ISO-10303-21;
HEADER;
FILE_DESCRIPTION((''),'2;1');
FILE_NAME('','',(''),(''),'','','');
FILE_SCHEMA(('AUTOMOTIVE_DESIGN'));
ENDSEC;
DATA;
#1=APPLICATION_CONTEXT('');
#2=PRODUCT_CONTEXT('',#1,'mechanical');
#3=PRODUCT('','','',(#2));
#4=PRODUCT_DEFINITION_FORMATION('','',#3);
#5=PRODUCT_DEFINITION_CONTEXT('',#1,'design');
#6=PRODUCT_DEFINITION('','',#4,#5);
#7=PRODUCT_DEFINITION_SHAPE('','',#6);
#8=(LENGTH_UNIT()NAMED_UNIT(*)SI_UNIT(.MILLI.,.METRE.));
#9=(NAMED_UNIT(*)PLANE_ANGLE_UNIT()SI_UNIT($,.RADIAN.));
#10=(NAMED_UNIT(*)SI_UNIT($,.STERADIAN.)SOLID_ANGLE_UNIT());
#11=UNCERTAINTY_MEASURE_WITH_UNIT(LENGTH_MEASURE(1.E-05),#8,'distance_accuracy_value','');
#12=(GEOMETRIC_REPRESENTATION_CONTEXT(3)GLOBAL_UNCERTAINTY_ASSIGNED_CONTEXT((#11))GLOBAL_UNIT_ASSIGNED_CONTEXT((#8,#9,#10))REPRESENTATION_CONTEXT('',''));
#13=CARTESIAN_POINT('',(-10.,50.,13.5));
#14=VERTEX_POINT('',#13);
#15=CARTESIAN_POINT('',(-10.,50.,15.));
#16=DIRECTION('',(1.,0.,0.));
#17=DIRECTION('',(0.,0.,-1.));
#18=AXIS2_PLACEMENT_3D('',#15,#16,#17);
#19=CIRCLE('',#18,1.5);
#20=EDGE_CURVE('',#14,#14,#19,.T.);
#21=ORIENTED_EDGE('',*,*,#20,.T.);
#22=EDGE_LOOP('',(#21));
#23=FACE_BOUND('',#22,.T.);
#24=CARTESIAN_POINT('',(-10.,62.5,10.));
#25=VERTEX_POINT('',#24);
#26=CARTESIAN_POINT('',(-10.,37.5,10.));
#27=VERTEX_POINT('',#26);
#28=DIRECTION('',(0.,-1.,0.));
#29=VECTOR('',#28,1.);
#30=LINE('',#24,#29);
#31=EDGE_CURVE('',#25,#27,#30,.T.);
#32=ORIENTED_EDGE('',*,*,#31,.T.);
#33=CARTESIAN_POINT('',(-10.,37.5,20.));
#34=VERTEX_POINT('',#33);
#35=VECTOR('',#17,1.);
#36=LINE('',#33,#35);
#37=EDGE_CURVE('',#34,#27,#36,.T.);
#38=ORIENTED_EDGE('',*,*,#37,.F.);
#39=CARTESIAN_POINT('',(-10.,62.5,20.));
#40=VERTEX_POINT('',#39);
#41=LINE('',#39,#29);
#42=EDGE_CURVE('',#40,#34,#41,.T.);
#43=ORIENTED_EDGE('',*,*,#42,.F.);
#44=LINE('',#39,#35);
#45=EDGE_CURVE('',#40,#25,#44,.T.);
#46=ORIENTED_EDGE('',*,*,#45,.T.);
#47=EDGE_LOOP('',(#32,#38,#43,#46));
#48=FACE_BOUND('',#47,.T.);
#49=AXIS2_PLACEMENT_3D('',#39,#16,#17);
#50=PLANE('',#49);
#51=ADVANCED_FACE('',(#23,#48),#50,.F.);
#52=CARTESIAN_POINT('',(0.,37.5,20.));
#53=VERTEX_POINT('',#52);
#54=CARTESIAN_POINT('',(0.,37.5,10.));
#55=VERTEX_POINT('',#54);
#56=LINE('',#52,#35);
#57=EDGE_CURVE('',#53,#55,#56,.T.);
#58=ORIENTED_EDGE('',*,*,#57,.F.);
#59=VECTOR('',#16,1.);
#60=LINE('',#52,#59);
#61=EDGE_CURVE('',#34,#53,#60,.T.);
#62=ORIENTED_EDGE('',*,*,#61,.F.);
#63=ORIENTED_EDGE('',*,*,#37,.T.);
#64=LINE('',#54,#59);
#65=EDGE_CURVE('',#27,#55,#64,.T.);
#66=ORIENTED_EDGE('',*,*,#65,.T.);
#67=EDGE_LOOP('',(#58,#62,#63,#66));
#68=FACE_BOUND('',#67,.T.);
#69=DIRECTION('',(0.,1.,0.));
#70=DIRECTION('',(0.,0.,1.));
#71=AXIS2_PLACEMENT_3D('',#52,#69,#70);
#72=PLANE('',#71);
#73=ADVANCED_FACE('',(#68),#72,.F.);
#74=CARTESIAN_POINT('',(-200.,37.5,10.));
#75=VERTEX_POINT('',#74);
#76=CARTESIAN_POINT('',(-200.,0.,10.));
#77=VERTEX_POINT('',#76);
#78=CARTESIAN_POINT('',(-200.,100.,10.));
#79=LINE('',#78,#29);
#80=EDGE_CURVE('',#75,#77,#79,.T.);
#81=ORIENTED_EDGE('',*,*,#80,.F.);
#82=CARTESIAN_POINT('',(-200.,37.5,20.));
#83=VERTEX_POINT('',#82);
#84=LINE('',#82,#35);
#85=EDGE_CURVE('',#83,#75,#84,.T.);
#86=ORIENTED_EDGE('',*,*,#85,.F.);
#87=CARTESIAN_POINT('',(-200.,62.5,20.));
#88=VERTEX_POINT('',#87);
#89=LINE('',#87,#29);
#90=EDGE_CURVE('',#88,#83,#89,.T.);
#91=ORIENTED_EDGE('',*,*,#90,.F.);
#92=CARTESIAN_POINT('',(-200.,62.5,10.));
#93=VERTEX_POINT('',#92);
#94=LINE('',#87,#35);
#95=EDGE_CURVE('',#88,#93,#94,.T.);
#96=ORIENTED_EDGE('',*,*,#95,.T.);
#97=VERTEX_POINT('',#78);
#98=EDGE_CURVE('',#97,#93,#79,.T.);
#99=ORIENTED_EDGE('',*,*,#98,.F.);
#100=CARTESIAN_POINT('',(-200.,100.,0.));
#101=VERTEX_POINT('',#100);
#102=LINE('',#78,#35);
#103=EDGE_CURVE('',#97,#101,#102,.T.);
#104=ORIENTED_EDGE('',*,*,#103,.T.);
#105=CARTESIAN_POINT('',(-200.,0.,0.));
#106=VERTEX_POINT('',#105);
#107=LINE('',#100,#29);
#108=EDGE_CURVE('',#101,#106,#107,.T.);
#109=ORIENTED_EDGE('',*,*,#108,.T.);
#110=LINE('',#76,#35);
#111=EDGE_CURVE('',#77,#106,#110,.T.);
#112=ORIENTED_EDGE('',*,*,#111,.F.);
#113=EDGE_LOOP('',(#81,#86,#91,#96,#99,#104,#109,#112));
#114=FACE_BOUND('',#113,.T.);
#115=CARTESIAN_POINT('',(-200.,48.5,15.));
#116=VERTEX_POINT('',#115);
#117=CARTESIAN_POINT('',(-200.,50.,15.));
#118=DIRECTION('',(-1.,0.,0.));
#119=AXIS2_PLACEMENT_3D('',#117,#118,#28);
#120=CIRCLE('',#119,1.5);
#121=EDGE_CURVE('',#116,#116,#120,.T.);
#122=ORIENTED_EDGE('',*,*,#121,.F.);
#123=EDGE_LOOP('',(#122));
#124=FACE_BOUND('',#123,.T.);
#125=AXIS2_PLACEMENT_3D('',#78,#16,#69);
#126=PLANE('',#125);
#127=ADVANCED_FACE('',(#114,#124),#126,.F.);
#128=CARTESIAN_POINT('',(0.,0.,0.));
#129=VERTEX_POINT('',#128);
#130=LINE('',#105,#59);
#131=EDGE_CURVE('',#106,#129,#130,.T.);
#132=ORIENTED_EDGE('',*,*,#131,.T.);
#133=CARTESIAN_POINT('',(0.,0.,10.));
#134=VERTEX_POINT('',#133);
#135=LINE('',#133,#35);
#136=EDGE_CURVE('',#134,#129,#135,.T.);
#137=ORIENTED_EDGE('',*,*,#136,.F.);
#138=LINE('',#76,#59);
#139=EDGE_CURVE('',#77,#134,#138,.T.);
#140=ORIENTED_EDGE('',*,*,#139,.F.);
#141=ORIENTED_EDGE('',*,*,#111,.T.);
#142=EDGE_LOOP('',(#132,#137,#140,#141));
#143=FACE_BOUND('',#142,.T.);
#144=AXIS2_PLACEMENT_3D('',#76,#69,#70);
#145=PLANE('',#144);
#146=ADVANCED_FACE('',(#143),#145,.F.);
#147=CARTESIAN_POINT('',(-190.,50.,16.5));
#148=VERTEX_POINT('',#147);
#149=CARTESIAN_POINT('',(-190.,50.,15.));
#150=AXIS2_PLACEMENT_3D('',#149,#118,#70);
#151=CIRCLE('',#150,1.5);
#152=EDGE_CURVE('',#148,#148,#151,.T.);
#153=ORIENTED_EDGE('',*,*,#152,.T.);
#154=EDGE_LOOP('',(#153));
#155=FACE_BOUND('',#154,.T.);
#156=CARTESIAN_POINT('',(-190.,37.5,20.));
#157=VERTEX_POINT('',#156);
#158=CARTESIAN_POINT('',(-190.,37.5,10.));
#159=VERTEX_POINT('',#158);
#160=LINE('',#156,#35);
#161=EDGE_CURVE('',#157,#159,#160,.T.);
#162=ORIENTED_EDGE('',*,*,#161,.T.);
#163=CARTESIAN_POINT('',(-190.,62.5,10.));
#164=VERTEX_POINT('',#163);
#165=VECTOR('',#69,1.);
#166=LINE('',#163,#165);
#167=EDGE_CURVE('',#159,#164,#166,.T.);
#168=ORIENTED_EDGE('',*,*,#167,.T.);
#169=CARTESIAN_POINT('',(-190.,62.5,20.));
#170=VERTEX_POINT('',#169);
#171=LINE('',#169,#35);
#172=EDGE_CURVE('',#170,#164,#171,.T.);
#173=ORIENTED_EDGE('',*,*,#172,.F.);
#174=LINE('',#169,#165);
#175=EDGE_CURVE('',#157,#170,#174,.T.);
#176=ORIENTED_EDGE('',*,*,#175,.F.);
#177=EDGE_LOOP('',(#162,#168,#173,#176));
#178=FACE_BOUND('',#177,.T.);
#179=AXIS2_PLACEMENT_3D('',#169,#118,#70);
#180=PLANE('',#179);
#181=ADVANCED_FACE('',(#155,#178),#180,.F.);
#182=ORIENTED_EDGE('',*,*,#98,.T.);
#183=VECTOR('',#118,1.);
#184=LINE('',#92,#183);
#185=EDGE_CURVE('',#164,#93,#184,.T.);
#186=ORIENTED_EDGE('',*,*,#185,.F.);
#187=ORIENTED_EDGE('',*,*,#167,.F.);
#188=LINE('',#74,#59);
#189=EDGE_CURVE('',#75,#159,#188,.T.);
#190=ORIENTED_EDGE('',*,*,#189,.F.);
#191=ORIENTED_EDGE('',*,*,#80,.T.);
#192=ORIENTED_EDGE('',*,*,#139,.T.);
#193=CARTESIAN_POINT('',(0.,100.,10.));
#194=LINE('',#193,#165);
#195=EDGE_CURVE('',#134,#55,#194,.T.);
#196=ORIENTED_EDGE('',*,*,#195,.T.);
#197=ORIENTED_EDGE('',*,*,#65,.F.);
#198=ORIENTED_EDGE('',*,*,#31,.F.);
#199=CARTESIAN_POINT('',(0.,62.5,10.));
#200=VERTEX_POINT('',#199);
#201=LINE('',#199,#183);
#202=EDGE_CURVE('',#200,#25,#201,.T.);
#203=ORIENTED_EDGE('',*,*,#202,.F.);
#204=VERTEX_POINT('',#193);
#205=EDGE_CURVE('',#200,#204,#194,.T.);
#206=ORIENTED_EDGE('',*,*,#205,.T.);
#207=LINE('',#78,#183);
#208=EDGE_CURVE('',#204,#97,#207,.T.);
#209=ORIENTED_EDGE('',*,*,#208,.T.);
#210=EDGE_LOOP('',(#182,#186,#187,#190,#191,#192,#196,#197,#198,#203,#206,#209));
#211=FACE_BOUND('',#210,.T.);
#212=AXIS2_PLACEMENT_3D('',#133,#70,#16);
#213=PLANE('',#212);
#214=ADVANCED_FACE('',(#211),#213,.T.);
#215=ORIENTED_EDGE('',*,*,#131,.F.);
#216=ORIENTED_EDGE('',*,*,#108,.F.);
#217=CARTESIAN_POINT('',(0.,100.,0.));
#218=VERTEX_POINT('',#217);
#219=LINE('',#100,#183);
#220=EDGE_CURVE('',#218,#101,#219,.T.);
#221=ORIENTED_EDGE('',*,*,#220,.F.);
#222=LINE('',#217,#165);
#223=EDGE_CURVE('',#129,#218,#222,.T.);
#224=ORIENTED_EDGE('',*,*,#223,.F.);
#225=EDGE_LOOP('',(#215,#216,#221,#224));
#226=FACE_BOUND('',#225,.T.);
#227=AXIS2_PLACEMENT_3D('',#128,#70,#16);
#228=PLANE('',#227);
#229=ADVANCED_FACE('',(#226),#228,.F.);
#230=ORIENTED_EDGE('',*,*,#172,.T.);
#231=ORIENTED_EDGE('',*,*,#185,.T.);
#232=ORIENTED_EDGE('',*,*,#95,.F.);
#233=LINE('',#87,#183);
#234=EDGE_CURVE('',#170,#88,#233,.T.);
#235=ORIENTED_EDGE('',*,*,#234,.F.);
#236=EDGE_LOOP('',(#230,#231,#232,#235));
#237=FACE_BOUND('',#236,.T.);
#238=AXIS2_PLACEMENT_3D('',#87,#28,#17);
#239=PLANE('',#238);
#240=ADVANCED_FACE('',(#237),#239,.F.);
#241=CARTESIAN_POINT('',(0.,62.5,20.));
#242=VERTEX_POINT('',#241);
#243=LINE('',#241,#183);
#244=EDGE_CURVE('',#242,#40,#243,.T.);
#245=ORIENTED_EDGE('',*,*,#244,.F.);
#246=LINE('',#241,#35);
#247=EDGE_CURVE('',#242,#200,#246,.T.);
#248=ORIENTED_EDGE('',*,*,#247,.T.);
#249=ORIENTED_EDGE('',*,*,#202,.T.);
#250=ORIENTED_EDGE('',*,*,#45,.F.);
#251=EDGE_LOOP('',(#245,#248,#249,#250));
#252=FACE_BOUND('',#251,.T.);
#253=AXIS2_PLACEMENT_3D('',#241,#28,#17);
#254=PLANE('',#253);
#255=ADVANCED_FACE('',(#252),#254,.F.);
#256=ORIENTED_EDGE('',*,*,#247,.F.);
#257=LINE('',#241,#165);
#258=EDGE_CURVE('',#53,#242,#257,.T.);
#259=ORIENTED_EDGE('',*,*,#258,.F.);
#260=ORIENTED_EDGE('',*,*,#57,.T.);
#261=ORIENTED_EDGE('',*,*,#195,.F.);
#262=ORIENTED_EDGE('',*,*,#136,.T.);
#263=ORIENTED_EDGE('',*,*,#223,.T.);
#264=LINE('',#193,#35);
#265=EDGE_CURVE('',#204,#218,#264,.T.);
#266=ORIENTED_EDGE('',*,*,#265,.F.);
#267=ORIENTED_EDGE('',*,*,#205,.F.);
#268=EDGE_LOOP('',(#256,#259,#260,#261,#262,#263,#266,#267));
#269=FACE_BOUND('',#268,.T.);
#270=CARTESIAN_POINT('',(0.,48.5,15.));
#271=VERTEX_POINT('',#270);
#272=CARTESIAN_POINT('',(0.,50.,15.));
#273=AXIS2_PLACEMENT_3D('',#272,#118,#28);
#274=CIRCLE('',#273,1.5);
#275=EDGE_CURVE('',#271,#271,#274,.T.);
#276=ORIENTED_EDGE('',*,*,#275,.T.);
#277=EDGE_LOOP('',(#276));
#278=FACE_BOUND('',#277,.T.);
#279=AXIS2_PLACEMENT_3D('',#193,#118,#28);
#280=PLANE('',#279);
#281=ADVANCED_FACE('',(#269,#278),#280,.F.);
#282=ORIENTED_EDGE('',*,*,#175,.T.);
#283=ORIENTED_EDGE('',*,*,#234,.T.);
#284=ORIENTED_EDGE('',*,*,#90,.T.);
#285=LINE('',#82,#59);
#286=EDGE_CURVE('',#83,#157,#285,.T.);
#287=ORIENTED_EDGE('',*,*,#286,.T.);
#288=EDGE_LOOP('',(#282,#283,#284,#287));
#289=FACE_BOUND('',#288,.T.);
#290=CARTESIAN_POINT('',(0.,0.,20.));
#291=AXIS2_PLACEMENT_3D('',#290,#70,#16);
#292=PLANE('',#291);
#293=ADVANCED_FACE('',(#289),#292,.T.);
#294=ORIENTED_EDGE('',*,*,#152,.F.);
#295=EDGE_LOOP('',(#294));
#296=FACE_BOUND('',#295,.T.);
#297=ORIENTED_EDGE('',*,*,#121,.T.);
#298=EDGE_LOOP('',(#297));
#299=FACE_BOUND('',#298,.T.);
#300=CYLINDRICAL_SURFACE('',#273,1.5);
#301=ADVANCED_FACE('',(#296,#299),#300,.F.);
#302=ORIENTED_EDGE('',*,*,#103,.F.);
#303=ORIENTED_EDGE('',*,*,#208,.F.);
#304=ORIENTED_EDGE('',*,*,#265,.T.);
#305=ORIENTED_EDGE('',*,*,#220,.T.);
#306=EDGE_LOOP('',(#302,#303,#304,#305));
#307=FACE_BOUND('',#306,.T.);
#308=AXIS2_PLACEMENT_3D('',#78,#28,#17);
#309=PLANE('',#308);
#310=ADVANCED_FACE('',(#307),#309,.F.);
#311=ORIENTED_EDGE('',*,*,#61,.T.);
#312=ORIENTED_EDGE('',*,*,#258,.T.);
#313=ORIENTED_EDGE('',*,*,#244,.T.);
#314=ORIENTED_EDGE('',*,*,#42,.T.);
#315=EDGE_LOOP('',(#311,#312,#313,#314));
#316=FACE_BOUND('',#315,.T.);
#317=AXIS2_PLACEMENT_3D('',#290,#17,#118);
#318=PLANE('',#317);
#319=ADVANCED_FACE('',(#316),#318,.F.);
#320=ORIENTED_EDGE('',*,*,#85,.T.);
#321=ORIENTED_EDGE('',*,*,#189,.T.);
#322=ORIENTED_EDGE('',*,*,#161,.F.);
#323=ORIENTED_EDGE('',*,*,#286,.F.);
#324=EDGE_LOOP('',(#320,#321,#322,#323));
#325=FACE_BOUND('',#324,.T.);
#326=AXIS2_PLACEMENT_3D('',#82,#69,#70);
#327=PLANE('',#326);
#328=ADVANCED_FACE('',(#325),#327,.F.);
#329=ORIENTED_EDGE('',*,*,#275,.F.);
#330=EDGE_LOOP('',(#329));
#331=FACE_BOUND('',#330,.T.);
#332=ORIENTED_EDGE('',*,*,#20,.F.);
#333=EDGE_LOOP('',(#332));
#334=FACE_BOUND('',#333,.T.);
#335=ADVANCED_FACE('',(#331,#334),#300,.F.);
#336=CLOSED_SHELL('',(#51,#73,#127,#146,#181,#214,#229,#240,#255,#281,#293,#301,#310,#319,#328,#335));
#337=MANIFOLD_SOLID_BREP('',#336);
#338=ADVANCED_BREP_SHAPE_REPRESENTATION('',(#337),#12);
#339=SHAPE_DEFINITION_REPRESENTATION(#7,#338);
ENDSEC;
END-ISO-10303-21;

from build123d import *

# Parameters (mm, degrees)
ESQUISSE1_W             = 200
ESQUISSE1_H             = 100
BOSS_EXTRU_1_DEPTH      = 10
ESQUISSE2_W             = 10
ESQUISSE2_H             = 25
BOSS_EXTRU_2_DEPTH      = 10
ESQUISSE3_R             = 1.5
ENL_V_MAT_EXTRU_1_DEPTH = 201


with BuildPart() as part:
    # Esquisse1 → Boss.-Extru.1 (new body)
    with BuildSketch(Plane.XY):
        with Locations((-100, 50)):
            Rectangle(ESQUISSE1_W, ESQUISSE1_H)
    extrude(amount=BOSS_EXTRU_1_DEPTH)

    # Esquisse2 → Boss.-Extru.2 (add)
    with BuildSketch(Plane.XY.offset(10)):
        with Locations((-195, 50)):
            Rectangle(ESQUISSE2_W, ESQUISSE2_H)
        with Locations((-5, 50)):
            Rectangle(ESQUISSE2_W, ESQUISSE2_H)
    extrude(amount=BOSS_EXTRU_2_DEPTH)

    # Esquisse3 → Enlèv. mat.-Extru.1 (cut, through all)
    with BuildSketch(Plane.ZY.offset(200)):
        with Locations((15, 50)):
            Circle(ESQUISSE3_R)
    extrude(amount=-ENL_V_MAT_EXTRU_1_DEPTH, mode=Mode.SUBTRACT)


solid = part.part
